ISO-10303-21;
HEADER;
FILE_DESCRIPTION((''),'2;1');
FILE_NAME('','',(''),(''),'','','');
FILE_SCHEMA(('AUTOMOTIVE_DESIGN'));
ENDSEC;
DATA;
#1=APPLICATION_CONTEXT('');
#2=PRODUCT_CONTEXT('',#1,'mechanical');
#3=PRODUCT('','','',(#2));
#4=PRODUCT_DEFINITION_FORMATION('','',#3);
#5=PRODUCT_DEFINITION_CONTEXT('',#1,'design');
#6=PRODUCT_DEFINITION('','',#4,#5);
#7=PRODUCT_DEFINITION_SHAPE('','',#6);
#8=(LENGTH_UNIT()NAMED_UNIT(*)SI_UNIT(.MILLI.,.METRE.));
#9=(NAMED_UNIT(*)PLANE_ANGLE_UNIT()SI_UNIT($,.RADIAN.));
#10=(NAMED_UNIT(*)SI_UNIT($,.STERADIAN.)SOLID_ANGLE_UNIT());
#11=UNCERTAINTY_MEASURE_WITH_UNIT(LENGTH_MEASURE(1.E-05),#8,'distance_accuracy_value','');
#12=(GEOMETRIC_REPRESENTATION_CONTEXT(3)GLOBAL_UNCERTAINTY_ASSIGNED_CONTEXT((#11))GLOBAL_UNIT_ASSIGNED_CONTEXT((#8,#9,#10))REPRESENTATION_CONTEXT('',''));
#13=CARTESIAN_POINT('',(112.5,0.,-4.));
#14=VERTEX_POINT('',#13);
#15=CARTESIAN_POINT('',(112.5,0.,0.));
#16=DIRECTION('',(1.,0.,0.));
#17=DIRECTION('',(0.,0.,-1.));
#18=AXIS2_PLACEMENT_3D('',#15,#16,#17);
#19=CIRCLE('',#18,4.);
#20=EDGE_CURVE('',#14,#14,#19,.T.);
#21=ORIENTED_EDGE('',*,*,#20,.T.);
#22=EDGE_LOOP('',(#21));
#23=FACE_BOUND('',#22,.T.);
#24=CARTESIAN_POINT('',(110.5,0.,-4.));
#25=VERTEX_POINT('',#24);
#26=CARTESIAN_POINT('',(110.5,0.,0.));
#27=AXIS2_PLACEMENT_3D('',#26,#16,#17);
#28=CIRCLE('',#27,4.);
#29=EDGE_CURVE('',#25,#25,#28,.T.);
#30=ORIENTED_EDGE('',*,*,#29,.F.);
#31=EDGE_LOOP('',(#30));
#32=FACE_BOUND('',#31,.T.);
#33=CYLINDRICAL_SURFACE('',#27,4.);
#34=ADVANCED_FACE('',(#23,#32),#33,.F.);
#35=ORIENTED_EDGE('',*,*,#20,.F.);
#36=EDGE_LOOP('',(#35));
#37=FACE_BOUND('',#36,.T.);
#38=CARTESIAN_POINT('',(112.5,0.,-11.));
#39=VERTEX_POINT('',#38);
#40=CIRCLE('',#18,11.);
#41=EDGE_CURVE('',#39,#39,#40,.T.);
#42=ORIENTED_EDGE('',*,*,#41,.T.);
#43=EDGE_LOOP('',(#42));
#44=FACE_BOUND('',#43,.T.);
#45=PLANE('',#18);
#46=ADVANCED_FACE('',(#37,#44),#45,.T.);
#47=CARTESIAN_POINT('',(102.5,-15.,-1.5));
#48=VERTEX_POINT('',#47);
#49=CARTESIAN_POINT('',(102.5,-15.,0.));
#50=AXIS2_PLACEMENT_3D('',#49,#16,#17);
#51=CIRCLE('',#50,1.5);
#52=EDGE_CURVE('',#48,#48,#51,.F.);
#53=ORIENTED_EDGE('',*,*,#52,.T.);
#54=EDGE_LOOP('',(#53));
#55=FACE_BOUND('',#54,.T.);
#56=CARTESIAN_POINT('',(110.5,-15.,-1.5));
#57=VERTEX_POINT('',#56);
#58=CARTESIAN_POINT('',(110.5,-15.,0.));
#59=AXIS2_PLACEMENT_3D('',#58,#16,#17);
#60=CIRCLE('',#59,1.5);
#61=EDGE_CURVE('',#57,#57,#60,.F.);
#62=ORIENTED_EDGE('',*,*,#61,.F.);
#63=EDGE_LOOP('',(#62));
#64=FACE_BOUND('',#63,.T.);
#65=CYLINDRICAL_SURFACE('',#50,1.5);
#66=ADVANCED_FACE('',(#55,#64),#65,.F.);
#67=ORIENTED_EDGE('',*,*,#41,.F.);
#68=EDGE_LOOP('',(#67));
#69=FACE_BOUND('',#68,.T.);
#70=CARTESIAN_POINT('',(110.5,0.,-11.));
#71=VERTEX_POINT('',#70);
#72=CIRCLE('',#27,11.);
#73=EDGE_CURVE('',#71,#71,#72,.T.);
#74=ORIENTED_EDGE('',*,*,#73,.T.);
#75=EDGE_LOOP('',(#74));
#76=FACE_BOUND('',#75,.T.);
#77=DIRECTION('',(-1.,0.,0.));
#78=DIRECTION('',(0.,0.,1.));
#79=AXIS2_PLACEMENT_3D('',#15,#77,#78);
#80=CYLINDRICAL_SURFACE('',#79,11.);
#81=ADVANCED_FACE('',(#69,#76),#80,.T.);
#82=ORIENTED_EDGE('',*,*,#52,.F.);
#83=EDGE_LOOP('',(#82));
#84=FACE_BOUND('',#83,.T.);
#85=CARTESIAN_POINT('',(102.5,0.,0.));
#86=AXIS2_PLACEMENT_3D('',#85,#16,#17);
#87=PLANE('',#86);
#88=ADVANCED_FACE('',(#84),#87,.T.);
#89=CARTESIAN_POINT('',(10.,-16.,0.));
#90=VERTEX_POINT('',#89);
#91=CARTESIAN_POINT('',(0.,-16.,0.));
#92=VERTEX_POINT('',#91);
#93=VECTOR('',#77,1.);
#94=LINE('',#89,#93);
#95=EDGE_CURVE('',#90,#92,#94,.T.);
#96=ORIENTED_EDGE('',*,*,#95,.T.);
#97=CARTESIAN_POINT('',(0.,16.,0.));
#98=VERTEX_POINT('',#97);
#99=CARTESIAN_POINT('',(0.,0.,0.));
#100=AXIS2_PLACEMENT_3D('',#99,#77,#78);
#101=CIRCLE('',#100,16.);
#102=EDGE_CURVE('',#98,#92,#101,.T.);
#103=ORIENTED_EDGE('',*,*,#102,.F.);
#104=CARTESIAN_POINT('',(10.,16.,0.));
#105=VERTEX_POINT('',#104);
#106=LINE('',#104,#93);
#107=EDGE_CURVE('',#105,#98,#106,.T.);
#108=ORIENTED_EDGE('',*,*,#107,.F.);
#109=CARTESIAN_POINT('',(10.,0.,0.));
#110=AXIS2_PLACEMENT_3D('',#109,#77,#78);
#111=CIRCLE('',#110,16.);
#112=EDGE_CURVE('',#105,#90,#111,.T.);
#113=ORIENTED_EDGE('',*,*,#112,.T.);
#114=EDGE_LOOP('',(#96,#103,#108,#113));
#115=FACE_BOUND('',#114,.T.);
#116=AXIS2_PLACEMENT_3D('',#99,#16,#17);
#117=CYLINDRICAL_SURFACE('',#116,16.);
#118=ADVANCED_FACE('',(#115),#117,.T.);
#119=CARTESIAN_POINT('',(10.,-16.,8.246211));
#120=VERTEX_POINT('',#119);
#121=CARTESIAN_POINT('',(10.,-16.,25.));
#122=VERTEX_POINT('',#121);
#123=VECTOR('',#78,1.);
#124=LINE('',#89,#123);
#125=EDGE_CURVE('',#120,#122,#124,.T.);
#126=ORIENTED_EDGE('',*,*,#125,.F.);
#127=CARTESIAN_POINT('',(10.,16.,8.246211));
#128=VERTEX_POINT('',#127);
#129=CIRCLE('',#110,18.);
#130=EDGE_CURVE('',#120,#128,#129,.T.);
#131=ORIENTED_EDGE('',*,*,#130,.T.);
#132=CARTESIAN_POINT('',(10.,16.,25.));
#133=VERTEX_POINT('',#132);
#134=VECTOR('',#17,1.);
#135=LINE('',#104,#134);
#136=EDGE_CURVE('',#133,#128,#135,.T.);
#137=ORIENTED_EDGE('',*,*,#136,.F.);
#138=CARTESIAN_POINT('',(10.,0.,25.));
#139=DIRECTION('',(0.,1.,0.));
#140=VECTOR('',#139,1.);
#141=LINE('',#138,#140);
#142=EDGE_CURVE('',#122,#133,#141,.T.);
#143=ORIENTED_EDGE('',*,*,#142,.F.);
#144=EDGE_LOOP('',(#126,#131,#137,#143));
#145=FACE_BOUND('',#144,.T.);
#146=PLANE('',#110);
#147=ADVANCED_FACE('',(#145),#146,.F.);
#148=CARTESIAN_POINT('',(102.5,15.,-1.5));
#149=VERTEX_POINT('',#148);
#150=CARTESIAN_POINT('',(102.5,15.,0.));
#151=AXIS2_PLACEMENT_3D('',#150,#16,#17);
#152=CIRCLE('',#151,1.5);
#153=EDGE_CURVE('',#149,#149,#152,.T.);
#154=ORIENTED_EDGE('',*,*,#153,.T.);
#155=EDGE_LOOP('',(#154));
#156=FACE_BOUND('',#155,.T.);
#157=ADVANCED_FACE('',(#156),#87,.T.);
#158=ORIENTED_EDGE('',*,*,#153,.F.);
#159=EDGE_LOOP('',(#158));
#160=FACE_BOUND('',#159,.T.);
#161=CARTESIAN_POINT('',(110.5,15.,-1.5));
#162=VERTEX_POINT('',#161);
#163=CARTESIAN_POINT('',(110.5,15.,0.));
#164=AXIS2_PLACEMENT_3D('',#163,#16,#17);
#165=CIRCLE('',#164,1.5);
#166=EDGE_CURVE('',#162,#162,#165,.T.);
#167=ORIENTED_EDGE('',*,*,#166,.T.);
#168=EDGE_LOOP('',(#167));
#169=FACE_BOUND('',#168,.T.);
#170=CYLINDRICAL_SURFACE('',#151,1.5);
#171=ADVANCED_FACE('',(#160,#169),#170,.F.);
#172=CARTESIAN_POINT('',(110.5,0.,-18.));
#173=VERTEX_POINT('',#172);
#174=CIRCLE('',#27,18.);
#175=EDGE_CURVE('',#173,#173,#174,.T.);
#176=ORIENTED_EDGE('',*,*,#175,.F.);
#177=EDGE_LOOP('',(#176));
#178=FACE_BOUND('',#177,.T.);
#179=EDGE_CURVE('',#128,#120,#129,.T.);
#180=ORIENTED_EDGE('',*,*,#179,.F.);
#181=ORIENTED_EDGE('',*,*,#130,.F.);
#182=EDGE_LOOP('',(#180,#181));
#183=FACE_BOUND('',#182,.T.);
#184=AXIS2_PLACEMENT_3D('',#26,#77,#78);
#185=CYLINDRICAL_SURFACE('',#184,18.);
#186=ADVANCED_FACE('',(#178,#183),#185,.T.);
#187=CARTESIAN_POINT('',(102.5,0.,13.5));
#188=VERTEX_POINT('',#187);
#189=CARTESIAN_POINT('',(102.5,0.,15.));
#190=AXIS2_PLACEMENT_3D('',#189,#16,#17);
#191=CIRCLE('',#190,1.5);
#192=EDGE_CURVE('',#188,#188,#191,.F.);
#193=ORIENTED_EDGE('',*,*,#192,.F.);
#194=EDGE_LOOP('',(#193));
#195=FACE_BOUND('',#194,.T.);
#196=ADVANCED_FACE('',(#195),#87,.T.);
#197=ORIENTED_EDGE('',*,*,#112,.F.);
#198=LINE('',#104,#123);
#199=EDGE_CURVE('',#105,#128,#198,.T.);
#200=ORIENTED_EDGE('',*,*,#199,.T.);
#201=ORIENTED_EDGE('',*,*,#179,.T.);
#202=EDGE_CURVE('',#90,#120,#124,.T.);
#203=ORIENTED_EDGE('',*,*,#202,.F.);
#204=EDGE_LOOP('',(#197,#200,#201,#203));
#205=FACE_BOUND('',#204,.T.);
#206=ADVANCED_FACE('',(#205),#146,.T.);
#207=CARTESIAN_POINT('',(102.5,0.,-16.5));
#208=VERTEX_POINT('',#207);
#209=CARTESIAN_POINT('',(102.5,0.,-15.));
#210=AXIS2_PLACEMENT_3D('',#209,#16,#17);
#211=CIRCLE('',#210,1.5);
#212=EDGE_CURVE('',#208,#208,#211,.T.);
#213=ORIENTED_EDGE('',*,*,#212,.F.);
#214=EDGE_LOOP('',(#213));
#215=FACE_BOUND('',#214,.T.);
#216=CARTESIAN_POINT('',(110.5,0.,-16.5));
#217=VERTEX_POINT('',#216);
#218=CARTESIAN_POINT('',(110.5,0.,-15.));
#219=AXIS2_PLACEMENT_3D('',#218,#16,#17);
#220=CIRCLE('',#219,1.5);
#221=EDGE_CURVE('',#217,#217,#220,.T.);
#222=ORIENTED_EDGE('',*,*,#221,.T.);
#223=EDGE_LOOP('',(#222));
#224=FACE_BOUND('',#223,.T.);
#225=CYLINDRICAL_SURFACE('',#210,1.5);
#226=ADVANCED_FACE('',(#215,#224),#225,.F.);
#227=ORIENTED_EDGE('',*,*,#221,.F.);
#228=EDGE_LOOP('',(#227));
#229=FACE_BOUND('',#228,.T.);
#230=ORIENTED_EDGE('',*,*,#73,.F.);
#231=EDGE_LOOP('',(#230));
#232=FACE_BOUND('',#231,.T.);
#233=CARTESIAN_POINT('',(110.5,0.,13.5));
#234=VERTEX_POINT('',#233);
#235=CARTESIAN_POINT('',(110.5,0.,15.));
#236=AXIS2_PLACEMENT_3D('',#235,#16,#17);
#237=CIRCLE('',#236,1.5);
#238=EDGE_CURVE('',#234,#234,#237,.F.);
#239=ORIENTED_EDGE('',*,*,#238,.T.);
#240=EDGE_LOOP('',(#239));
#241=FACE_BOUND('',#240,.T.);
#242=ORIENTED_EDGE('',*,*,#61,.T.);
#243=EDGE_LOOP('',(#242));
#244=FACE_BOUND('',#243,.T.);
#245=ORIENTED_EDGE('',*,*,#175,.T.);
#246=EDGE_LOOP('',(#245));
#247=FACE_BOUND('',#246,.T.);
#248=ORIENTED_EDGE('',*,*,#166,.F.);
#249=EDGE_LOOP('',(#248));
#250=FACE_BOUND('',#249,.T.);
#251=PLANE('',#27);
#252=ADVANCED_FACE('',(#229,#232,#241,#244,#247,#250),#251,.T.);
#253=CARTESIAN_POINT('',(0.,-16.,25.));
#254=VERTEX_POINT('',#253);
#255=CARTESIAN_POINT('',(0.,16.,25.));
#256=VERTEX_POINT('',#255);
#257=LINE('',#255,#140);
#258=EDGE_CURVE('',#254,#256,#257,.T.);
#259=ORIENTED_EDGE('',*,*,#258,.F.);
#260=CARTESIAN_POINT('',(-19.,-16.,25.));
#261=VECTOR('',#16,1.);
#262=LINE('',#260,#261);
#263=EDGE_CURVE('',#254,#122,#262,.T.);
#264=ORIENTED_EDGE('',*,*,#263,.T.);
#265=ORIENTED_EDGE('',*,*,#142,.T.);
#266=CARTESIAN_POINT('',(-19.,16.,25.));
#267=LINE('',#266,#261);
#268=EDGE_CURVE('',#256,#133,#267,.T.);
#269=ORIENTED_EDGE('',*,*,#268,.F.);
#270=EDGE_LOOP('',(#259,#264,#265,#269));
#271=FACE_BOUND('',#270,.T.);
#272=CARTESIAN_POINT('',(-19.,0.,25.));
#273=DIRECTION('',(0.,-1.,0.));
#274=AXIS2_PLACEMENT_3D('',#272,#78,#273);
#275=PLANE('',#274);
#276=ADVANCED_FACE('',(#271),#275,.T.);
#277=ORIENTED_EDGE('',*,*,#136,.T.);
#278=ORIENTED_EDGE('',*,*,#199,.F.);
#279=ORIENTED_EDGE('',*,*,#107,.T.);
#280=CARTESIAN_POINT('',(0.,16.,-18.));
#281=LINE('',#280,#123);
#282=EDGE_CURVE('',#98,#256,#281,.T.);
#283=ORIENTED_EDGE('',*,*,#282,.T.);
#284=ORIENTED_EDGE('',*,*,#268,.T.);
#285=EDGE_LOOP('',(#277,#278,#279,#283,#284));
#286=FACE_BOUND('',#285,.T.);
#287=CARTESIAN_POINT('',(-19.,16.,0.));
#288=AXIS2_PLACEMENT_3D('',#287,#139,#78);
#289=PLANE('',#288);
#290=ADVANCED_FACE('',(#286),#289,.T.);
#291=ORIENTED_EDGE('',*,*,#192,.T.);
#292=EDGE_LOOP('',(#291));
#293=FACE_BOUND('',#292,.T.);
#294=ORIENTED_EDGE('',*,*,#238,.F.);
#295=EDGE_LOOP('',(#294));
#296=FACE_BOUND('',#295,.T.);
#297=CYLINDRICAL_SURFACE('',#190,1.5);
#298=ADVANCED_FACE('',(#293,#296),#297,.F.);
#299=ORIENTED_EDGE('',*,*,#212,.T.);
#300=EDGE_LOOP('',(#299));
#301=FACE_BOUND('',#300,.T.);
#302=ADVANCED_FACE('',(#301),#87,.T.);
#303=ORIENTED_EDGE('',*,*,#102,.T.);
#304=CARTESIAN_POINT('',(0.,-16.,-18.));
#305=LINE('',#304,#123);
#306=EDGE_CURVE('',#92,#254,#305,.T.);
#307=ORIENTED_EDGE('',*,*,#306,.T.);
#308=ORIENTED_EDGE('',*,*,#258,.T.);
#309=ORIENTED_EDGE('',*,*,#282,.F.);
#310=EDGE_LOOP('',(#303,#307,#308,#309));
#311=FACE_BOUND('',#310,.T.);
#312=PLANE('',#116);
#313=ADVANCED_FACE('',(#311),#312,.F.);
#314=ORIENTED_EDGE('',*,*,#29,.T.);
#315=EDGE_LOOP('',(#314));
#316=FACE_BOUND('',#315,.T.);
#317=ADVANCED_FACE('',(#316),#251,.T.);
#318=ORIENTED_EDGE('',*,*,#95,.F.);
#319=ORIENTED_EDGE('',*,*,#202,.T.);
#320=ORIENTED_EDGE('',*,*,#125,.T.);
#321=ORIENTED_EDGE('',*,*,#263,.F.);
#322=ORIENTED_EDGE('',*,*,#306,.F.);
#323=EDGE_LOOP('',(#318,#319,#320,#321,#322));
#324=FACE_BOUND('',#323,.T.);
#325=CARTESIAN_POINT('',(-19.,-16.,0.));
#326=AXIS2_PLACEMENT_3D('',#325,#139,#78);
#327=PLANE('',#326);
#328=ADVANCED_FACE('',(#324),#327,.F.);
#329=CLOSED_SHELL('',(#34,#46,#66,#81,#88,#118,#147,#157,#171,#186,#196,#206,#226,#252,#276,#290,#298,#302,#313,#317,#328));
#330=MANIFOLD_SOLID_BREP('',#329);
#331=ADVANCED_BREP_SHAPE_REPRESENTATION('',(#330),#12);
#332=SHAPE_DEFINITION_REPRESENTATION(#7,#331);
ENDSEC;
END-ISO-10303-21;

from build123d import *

# Parameters (mm, degrees)
SKETCH_2_R           = 18
EXTRUDE_1_DEPTH      = 110.5
SKETCH_3_R           = 11
EXTRUDE_2_DEPTH      = 2
SKETCH_4_R           = 4
EXTRUDE_3_DEPTH      = 15
SKETCH_5_R           = 16
SKETCH_5_W           = 25
SKETCH_5_H           = 32
EXTRUDE_4_DEPTH      = 19
CUT_EXTRUDE_START    = -17
SKETCH_6_R           = 4
CUT_EXTRUDE_2_DEPTH  = 17
SKETCH_8_R           = 1.5
CUT_EXTRUDE_3_DEPTH  = 8
SKETCH_9_W           = 7
SKETCH_9_H           = 53.664009665
CUT_EXTRUDE_4_DEPTH  = 121.15510809
SKETCH_10_W          = 2
SKETCH_10_H          = 52.133274579
CUT_EXTRUDE_6_DEPTH  = 121.15510809
EXTRUDE_START        = -20
EXTRUDE_5_DEPTH      = 20
SKETCH_12_R          = 18
SKETCH_12_R_2        = 16
CUT_EXTRUDE_7_DEPTH  = 20
SKETCH_13_W          = 25
SKETCH_13_H          = 32
EXTRUDE_6_DEPTH      = 20
SKETCH_14_W          = 10
SKETCH_14_H          = 32
CUT_EXTRUDE_8_DEPTH  = 122.775408026
SKETCH_15_R          = 18
CUT_EXTRUDE_10_DEPTH = 10
SKETCH_16_R          = 16
EXTRUDE_7_DEPTH      = 10
SKETCH_17_W          = 25
SKETCH_17_H          = 32
EXTRUDE_8_DEPTH      = 10


with BuildPart() as part:
    # 草图2 → 凸台-拉伸1 (new body)
    with BuildSketch(Plane(origin=(0, 0, 0), x_dir=(0, 0, -1), z_dir=(1, 0, 0))):
        Circle(SKETCH_2_R)
    extrude(amount=EXTRUDE_1_DEPTH)

    # 草图3 → 凸台-拉伸2 (add)
    with BuildSketch(Plane(origin=(110.5, 0, 0), x_dir=(0, 0, -1), z_dir=(1, 0, 0))):
        Circle(SKETCH_3_R)
    extrude(amount=EXTRUDE_2_DEPTH)

    # 草图4 → 凸台-拉伸3 (add)
    with BuildSketch(Plane(origin=(112.5, 0, 0), x_dir=(0, 0, -1), z_dir=(1, 0, 0))):
        Circle(SKETCH_4_R)
    extrude(amount=EXTRUDE_3_DEPTH)

    # 草图5 → 凸台-拉伸4 (add)
    with BuildSketch(Plane.ZY):
        Circle(SKETCH_5_R)
        with Locations((12.5, 0)):
            Rectangle(SKETCH_5_W, SKETCH_5_H)
    extrude(amount=EXTRUDE_4_DEPTH)

    # 草图6 → 切除-拉伸2 (cut)
    with BuildSketch(Plane(origin=(127.5, 0, 0), x_dir=(0, 0, -1), z_dir=(1, 0, 0)).offset(CUT_EXTRUDE_START)):
        Circle(SKETCH_6_R)
    extrude(amount=CUT_EXTRUDE_2_DEPTH, mode=Mode.SUBTRACT)

    # 草图8 → 切除-拉伸3 (cut)
    with BuildSketch(Plane(origin=(110.5, 0, 0), x_dir=(0, 0, -1), z_dir=(1, 0, 0))):
        with Locations((0, 15)):
            Circle(SKETCH_8_R)
        with Locations((15, 0)):
            Circle(SKETCH_8_R)
        with Locations((0, -15)):
            Circle(SKETCH_8_R)
        with Locations((-15, 0)):
            Circle(SKETCH_8_R)
    extrude(amount=-CUT_EXTRUDE_3_DEPTH, mode=Mode.SUBTRACT)

    # 草图9 → 切除-拉伸4 (cut, through all)
    with BuildSketch(Plane.XZ.offset(16)):
        with Locations((-15.5, -1.832004833)):
            Rectangle(SKETCH_9_W, SKETCH_9_H)
    extrude(amount=-CUT_EXTRUDE_4_DEPTH, mode=Mode.SUBTRACT)

    # 草图10 → 切除-拉伸6 (cut, through all)
    with BuildSketch(Plane.XZ.offset(16)):
        with Locations((-11, -1.06663729)):
            Rectangle(SKETCH_10_W, SKETCH_10_H)
    extrude(amount=-CUT_EXTRUDE_6_DEPTH, mode=Mode.SUBTRACT)

    # 草图11 → 凸台-拉伸5 (add)
    with BuildSketch(Plane.ZY.offset(10).offset(EXTRUDE_START)):
        with BuildLine():
            Line((25, -16), (25, 16))
            Line((25, 16), (0, 16))
            ThreePointArc((0, 16), (11.313708499, 11.313708499), (16, 0))
            ThreePointArc((16, 0), (11.313708499, -11.313708499), (0, -16))
            Line((0, -16), (25, -16))
        make_face()
        with BuildLine():
            Line((0, 16), (0, -16))
            ThreePointArc((0, -16), (-16, 0), (0, 16))
        make_face()
        with BuildLine():
            ThreePointArc((16, 0), (11.313708499, 11.313708499), (0, 16))
            Line((0, 16), (0, -16))
            ThreePointArc((0, -16), (11.313708499, -11.313708499), (16, 0))
        make_face()
        with BuildLine():
            Line((0, -16), (0, 16))
            ThreePointArc((0, 16), (-16, 0), (0, -16))
        make_face()
    extrude(amount=EXTRUDE_5_DEPTH)

    # 草图12 → 切除-拉伸7 (cut)
    with BuildSketch(Plane.ZY):
        with Locations(Location((0, 0, 0), (0, 0, 62.733955549))):
            Circle(SKETCH_12_R)
        Circle(SKETCH_12_R_2, mode=Mode.SUBTRACT)
    extrude(amount=CUT_EXTRUDE_7_DEPTH, mode=Mode.SUBTRACT)

    # 草图13 → 凸台-拉伸6 (add)
    with BuildSketch(Plane.ZY.offset(10)):
        with Locations((12.5, 0)):
            Rectangle(SKETCH_13_W, SKETCH_13_H)
    extrude(amount=-EXTRUDE_6_DEPTH)

    # 草图14 → 切除-拉伸8 (cut, through all)
    with BuildSketch(Plane.XY.offset(25)):
        with Locations((-5, 0)):
            Rectangle(SKETCH_14_W, SKETCH_14_H)
    extrude(amount=-CUT_EXTRUDE_8_DEPTH, mode=Mode.SUBTRACT)

    # 草图15 → 切除-拉伸10 (cut)
    with BuildSketch(Plane.ZY):
        Circle(SKETCH_15_R)
    extrude(amount=-CUT_EXTRUDE_10_DEPTH, mode=Mode.SUBTRACT)


with BuildPart() as cut_extrude_10_piece_1:
    # of the separate pieces the step leaves, piece 1, a body of its own (cut_extrude_10_pieces)
    add(part.part.solids().sort_by_distance((10, 0, -18))[0])

    # 草图16 → 凸台-拉伸7 (add)
    with BuildSketch(Plane.ZY.offset(-10)):
        Circle(SKETCH_16_R)
    extrude(amount=EXTRUDE_7_DEPTH)



with BuildPart() as cut_extrude_10_piece_2:
    # of the separate pieces the step leaves, piece 2, a body of its own (cut_extrude_10_pieces)
    add(part.part.solids().sort_by_distance((10, 16, 25))[0])


with BuildPart() as cut_extrude_10_piece_1_1:
    add(cut_extrude_10_piece_1.part)

    add(cut_extrude_10_piece_2.part)  # 凸台-拉伸8 merges 切除-拉伸10 piece 2
    # 草图17 → 凸台-拉伸8 (add)
    with BuildSketch(Plane.ZY):
        with Locations((12.5, 0)):
            Rectangle(SKETCH_17_W, SKETCH_17_H)
    extrude(amount=-EXTRUDE_8_DEPTH)


solid = cut_extrude_10_piece_1_1.part
